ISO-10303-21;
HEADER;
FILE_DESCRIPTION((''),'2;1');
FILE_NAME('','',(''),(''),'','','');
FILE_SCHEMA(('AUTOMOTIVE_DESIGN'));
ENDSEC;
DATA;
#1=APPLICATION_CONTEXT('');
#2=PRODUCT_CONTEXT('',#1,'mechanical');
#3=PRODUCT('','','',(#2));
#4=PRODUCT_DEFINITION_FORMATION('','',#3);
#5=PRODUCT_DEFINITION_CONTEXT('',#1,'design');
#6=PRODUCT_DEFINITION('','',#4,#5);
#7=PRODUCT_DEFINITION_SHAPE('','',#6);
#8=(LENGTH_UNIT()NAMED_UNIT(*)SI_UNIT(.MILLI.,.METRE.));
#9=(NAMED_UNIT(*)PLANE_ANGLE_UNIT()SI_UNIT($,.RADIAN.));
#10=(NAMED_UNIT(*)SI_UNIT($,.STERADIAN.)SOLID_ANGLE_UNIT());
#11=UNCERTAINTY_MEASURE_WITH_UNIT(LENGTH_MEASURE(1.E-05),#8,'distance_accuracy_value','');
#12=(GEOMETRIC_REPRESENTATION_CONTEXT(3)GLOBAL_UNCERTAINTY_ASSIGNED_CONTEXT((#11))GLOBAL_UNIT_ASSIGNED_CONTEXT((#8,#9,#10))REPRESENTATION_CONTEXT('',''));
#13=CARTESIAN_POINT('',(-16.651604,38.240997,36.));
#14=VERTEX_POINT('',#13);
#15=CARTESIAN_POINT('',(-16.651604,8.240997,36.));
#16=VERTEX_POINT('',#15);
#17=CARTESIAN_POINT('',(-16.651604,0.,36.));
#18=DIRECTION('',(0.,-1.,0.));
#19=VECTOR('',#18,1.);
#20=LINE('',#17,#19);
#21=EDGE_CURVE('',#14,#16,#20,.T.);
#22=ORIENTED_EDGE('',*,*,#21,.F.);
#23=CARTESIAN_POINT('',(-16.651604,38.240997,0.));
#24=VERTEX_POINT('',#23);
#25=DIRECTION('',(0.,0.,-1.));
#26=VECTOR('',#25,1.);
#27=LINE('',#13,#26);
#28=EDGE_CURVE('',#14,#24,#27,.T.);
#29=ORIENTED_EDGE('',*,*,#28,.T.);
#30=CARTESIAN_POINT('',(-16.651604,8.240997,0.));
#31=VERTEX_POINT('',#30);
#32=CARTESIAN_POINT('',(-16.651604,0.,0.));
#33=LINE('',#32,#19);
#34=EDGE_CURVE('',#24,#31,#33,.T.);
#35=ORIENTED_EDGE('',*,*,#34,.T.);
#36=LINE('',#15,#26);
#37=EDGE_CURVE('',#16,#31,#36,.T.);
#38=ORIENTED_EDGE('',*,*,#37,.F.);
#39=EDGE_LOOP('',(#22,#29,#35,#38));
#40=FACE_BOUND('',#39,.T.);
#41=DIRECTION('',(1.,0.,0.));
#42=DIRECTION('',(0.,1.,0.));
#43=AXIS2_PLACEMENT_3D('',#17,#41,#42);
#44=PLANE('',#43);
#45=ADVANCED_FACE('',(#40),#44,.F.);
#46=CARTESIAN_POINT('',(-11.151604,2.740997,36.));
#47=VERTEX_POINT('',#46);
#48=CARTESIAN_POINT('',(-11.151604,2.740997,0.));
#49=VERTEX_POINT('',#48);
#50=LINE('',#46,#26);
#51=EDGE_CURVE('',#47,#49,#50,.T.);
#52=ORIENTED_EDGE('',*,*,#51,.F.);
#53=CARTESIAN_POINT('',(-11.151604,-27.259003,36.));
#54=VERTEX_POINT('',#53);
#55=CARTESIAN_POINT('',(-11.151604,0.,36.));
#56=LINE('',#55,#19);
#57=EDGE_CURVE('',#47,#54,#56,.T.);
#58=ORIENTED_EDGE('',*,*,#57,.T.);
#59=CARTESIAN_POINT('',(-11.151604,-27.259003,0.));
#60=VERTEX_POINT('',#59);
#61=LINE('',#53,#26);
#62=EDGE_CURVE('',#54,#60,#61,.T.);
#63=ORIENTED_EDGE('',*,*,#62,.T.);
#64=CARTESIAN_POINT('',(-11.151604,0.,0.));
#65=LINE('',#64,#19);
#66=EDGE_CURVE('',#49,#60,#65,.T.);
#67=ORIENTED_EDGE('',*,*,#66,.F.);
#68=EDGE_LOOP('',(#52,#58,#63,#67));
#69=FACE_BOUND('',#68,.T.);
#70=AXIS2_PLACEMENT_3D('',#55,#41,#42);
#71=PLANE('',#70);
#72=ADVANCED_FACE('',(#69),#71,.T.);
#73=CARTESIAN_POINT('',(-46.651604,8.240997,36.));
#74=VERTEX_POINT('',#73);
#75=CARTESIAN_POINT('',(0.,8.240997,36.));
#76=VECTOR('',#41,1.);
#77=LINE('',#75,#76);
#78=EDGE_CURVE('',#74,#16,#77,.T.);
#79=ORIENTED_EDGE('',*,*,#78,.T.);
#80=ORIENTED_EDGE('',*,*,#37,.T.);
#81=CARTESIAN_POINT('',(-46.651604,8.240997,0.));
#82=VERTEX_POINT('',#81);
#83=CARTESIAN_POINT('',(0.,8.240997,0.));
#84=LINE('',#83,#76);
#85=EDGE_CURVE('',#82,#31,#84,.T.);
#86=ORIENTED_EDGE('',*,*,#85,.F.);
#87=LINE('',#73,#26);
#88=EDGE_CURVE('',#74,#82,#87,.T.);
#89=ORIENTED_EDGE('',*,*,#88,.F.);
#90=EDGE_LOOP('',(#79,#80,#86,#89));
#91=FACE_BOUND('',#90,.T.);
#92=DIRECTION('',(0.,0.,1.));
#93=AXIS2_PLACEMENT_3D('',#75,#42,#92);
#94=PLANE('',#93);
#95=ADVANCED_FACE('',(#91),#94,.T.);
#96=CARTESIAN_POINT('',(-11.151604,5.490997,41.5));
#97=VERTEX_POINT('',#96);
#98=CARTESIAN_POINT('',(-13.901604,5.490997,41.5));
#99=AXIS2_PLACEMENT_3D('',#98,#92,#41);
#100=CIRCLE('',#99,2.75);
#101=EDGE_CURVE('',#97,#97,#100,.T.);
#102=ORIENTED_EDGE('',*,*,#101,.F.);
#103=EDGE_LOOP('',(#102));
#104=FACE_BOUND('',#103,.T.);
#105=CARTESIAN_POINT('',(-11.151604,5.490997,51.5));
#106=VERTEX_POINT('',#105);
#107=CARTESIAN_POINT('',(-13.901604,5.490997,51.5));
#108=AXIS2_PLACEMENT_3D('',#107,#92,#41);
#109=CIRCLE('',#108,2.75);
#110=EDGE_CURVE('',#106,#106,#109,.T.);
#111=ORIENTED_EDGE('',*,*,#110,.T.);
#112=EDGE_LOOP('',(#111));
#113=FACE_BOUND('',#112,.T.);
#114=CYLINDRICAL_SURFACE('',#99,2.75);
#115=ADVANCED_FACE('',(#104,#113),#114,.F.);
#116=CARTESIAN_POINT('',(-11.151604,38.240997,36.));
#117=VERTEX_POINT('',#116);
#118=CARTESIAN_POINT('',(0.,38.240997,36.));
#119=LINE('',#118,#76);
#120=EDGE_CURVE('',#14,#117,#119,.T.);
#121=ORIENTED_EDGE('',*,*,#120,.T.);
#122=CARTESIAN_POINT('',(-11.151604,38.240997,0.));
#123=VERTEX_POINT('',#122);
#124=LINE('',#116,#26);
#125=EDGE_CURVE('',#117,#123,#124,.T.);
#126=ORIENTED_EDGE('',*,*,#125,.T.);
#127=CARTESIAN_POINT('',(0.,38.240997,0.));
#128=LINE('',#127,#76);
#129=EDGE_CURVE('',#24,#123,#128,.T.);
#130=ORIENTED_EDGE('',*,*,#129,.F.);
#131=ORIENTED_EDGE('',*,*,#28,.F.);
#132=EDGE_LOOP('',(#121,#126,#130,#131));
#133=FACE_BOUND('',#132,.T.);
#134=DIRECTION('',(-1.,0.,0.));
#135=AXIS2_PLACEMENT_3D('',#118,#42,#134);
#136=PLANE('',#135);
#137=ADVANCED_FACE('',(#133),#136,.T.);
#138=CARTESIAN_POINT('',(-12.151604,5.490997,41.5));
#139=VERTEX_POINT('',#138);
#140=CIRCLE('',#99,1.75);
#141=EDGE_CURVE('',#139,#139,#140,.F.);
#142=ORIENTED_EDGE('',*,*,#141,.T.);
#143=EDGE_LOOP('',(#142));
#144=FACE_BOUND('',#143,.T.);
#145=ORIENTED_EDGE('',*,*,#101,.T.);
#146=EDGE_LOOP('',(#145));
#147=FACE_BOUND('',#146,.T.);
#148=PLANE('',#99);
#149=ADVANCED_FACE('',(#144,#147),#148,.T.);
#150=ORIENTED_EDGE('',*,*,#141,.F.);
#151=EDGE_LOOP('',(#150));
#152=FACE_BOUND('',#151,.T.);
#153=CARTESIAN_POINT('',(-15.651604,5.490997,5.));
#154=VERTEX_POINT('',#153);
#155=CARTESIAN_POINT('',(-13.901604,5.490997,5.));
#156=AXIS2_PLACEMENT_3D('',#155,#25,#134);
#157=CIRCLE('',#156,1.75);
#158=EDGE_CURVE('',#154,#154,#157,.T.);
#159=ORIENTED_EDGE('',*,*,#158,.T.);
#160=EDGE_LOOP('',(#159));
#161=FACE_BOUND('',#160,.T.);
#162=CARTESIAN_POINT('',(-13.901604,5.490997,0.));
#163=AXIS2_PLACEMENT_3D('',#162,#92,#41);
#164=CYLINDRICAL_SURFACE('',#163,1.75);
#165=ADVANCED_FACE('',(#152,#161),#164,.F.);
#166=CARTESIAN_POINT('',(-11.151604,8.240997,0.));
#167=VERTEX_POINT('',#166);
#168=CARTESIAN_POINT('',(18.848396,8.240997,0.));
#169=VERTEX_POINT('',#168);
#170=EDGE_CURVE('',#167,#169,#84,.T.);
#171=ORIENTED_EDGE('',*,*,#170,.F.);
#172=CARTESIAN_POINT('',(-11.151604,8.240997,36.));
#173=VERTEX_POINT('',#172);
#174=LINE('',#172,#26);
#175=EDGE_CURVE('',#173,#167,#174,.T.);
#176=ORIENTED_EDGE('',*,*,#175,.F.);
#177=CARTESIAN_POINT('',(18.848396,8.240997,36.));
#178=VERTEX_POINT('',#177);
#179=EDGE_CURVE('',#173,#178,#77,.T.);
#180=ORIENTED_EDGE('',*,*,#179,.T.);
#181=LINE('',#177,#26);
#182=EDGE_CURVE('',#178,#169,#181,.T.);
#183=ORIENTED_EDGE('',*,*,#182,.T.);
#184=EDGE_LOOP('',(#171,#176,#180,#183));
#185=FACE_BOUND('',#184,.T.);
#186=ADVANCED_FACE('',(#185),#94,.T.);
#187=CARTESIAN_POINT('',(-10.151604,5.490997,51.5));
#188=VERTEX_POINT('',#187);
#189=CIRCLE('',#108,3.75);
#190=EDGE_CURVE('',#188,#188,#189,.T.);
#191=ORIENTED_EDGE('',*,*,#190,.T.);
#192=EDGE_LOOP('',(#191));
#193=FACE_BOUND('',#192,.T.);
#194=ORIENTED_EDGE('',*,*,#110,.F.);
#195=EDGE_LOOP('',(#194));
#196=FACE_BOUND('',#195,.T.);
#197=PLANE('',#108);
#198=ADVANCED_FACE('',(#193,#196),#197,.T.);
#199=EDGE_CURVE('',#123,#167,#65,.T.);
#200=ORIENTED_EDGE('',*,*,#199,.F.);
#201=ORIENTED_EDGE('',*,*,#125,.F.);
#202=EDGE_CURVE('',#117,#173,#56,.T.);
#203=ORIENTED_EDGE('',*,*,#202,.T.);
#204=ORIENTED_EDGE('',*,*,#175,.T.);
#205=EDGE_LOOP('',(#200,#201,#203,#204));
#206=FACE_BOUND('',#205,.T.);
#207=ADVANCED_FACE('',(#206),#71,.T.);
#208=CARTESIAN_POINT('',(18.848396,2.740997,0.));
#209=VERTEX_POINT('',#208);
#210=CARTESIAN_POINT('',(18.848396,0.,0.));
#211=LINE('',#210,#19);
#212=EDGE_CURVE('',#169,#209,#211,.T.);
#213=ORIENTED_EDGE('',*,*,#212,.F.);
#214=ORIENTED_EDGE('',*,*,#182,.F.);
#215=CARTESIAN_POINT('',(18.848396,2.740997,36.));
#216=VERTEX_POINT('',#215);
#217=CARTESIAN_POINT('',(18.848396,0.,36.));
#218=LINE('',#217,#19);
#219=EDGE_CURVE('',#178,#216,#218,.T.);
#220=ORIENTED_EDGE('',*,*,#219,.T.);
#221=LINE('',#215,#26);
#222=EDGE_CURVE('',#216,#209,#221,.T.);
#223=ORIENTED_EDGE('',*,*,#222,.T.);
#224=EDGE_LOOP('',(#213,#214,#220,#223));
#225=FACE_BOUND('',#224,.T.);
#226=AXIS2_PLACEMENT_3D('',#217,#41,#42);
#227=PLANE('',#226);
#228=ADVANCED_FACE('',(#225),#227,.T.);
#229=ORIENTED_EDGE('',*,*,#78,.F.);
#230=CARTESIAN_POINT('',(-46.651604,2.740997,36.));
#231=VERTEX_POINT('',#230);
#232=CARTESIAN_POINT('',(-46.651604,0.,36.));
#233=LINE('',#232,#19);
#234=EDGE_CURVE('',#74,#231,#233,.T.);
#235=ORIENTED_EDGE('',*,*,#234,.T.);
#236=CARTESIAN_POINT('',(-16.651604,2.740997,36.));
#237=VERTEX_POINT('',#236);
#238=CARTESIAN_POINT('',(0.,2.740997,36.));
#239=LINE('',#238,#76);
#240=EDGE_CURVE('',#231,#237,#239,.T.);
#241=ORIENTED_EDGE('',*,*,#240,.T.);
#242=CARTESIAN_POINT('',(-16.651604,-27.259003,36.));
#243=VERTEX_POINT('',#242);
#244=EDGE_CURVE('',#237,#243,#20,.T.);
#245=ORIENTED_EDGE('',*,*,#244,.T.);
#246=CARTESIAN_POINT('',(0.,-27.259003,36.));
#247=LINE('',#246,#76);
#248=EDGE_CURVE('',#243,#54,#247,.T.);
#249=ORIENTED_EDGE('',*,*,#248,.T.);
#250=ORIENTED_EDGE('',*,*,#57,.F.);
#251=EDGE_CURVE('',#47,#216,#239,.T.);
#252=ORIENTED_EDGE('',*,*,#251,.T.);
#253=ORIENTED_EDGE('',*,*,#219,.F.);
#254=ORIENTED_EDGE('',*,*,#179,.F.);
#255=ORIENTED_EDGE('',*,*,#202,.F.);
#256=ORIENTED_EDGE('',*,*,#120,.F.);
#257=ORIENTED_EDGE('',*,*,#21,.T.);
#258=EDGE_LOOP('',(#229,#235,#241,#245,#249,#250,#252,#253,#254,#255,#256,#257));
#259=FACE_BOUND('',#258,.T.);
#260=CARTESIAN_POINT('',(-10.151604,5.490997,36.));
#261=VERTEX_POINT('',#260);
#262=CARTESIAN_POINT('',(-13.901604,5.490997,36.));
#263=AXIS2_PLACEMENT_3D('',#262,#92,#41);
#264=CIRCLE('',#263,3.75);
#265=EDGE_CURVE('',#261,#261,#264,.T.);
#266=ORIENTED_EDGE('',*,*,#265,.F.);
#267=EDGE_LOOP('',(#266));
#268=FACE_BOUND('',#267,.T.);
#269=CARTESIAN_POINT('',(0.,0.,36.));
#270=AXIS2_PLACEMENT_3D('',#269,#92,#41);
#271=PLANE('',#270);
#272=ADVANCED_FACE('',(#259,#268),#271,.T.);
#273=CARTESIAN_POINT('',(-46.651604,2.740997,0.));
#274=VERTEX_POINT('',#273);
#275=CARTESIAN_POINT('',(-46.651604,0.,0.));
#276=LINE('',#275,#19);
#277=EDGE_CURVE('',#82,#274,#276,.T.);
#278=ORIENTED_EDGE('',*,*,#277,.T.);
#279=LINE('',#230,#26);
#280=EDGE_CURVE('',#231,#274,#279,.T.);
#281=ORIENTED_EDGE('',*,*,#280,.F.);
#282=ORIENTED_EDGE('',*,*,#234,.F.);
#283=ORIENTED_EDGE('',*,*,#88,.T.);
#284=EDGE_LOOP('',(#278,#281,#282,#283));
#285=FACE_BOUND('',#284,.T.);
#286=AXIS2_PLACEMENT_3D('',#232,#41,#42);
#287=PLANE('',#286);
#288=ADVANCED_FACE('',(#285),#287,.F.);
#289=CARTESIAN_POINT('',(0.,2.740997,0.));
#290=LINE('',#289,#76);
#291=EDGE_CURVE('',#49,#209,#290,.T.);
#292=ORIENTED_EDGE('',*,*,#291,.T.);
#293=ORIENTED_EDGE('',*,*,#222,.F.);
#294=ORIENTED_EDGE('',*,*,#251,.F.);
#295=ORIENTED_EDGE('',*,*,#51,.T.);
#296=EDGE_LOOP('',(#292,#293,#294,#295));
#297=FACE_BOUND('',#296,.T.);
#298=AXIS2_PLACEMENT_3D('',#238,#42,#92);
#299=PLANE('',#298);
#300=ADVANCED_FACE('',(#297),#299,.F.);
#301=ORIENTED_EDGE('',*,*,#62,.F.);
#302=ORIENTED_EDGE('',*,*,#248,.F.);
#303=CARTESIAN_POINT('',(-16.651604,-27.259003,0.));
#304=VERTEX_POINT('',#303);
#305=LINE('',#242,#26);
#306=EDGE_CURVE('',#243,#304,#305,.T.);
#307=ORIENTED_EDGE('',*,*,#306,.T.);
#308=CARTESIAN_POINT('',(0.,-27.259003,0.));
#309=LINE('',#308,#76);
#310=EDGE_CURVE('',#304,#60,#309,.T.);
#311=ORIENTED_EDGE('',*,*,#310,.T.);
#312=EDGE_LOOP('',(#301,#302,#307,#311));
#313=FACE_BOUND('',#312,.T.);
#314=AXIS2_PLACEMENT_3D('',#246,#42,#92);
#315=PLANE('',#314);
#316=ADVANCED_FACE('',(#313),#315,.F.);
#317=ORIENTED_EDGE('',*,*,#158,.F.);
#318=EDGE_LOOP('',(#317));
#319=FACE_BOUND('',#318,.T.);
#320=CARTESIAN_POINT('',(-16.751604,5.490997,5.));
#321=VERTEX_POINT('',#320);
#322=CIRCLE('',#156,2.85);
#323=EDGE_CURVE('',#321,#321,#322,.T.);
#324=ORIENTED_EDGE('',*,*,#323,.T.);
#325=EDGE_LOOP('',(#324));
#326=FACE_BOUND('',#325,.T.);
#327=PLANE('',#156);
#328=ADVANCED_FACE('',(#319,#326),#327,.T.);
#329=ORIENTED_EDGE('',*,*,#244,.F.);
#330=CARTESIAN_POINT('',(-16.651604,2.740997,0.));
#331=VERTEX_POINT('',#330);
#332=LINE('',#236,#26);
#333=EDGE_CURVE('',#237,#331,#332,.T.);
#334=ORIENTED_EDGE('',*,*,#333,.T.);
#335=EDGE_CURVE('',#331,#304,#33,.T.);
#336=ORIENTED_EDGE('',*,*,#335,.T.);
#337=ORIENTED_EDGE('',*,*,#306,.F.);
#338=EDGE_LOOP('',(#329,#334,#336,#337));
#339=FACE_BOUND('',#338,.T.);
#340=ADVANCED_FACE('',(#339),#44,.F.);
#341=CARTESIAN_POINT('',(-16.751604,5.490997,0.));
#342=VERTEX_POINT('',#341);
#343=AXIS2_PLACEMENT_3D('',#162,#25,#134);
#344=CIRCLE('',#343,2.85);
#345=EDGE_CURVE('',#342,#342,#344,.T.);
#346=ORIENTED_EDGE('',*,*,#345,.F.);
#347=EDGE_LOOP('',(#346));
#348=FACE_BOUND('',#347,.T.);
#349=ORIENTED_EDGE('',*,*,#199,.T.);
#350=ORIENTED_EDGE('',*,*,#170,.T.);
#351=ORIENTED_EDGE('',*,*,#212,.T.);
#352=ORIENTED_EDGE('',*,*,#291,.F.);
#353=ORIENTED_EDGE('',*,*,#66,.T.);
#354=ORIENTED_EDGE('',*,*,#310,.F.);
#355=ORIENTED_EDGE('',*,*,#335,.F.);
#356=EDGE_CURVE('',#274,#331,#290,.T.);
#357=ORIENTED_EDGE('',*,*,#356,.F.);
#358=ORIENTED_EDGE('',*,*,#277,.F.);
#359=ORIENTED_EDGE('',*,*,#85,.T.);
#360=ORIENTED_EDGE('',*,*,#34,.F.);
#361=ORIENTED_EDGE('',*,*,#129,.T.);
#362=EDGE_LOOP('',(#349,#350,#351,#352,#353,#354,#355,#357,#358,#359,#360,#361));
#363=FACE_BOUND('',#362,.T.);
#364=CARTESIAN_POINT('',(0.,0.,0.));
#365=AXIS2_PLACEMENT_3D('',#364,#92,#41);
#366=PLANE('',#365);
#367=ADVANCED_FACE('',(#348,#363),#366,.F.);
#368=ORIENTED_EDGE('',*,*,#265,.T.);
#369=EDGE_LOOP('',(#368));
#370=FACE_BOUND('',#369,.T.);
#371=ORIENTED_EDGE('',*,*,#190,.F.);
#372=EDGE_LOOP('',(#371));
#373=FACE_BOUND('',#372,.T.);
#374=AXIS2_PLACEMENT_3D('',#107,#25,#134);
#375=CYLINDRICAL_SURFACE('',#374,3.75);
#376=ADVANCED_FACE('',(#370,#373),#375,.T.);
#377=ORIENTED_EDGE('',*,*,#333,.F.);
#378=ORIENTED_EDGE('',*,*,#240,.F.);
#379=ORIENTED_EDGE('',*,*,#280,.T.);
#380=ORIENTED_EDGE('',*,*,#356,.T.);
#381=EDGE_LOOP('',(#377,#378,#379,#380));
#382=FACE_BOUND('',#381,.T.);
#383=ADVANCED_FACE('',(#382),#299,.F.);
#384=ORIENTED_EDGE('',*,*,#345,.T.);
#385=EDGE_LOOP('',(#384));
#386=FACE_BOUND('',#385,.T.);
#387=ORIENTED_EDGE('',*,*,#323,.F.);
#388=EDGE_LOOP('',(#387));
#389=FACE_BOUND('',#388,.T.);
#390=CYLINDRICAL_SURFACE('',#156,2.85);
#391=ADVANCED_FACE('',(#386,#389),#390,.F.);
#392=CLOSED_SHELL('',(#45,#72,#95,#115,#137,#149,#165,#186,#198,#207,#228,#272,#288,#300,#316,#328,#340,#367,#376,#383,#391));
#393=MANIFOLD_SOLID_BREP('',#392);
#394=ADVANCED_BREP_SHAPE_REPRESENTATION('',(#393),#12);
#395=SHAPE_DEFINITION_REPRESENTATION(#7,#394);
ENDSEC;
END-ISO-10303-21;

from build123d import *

# Parameters (mm, degrees)
SKETCH_1_W          = 5.5
SKETCH_1_H          = 30
SKETCH_1_W_2        = 30
SKETCH_1_H_2        = 5.5
EXTRUDE_1_DEPTH     = 36
SKETCH_5_R          = 3.75
EXTRUDE_3_DEPTH     = 15.5
SKETCH_6_R          = 2.85
CUT_EXTRUDE_1_DEPTH = 5
SKETCH_7_R          = 1.75
CUT_EXTRUDE_2_DEPTH = 52.5
SKETCH_8_R          = 2.75
CUT_EXTRUDE_3_DEPTH = 10


with BuildPart() as part:
    # 草圖1 → 填料-伸長1 (new body)
    with BuildSketch(Plane.XY):
        with Locations((-13.901604276, 23.24099723)):
            Rectangle(SKETCH_1_W, SKETCH_1_H)
        with Locations((-31.651604276, 5.49099723)):
            Rectangle(SKETCH_1_W_2, SKETCH_1_H_2)
        with Locations((-13.901604276, -12.25900277)):
            Rectangle(SKETCH_1_W, SKETCH_1_H)
        with Locations((3.848395724, 5.49099723)):
            Rectangle(SKETCH_1_W_2, SKETCH_1_H_2)
        with Locations((-13.901604276, 5.49099723)):
            Rectangle(SKETCH_1_W, SKETCH_1_H_2)
    extrude(amount=EXTRUDE_1_DEPTH)

    # 草圖5 → 填料-伸長3 (add)
    with BuildSketch(Plane.XY.offset(36)):
        with Locations((-13.901604276, 5.49099723)):
            Circle(SKETCH_5_R)
    extrude(amount=EXTRUDE_3_DEPTH)

    # 草圖6 → 除料-伸長1 (cut)
    with BuildSketch(Plane(origin=(0, 0, 0), x_dir=(-1, 0, 0), z_dir=(0, 0, -1))):
        with Locations((13.901604276, 5.49099723)):
            Circle(SKETCH_6_R)
    extrude(amount=-CUT_EXTRUDE_1_DEPTH, mode=Mode.SUBTRACT)

    # 草圖7 → 除料-伸長2 (cut, through all)
    with BuildSketch(Plane.XY.offset(51.5)):
        with Locations((-13.901604276, 5.49099723)):
            Circle(SKETCH_7_R)
    extrude(amount=-CUT_EXTRUDE_2_DEPTH, mode=Mode.SUBTRACT)

    # 草圖8 → 除料-伸長3 (cut)
    with BuildSketch(Plane.XY.offset(51.5)):
        with Locations((-13.901604276, 5.49099723)):
            Circle(SKETCH_8_R)
    extrude(amount=-CUT_EXTRUDE_3_DEPTH, mode=Mode.SUBTRACT)


solid = part.part
